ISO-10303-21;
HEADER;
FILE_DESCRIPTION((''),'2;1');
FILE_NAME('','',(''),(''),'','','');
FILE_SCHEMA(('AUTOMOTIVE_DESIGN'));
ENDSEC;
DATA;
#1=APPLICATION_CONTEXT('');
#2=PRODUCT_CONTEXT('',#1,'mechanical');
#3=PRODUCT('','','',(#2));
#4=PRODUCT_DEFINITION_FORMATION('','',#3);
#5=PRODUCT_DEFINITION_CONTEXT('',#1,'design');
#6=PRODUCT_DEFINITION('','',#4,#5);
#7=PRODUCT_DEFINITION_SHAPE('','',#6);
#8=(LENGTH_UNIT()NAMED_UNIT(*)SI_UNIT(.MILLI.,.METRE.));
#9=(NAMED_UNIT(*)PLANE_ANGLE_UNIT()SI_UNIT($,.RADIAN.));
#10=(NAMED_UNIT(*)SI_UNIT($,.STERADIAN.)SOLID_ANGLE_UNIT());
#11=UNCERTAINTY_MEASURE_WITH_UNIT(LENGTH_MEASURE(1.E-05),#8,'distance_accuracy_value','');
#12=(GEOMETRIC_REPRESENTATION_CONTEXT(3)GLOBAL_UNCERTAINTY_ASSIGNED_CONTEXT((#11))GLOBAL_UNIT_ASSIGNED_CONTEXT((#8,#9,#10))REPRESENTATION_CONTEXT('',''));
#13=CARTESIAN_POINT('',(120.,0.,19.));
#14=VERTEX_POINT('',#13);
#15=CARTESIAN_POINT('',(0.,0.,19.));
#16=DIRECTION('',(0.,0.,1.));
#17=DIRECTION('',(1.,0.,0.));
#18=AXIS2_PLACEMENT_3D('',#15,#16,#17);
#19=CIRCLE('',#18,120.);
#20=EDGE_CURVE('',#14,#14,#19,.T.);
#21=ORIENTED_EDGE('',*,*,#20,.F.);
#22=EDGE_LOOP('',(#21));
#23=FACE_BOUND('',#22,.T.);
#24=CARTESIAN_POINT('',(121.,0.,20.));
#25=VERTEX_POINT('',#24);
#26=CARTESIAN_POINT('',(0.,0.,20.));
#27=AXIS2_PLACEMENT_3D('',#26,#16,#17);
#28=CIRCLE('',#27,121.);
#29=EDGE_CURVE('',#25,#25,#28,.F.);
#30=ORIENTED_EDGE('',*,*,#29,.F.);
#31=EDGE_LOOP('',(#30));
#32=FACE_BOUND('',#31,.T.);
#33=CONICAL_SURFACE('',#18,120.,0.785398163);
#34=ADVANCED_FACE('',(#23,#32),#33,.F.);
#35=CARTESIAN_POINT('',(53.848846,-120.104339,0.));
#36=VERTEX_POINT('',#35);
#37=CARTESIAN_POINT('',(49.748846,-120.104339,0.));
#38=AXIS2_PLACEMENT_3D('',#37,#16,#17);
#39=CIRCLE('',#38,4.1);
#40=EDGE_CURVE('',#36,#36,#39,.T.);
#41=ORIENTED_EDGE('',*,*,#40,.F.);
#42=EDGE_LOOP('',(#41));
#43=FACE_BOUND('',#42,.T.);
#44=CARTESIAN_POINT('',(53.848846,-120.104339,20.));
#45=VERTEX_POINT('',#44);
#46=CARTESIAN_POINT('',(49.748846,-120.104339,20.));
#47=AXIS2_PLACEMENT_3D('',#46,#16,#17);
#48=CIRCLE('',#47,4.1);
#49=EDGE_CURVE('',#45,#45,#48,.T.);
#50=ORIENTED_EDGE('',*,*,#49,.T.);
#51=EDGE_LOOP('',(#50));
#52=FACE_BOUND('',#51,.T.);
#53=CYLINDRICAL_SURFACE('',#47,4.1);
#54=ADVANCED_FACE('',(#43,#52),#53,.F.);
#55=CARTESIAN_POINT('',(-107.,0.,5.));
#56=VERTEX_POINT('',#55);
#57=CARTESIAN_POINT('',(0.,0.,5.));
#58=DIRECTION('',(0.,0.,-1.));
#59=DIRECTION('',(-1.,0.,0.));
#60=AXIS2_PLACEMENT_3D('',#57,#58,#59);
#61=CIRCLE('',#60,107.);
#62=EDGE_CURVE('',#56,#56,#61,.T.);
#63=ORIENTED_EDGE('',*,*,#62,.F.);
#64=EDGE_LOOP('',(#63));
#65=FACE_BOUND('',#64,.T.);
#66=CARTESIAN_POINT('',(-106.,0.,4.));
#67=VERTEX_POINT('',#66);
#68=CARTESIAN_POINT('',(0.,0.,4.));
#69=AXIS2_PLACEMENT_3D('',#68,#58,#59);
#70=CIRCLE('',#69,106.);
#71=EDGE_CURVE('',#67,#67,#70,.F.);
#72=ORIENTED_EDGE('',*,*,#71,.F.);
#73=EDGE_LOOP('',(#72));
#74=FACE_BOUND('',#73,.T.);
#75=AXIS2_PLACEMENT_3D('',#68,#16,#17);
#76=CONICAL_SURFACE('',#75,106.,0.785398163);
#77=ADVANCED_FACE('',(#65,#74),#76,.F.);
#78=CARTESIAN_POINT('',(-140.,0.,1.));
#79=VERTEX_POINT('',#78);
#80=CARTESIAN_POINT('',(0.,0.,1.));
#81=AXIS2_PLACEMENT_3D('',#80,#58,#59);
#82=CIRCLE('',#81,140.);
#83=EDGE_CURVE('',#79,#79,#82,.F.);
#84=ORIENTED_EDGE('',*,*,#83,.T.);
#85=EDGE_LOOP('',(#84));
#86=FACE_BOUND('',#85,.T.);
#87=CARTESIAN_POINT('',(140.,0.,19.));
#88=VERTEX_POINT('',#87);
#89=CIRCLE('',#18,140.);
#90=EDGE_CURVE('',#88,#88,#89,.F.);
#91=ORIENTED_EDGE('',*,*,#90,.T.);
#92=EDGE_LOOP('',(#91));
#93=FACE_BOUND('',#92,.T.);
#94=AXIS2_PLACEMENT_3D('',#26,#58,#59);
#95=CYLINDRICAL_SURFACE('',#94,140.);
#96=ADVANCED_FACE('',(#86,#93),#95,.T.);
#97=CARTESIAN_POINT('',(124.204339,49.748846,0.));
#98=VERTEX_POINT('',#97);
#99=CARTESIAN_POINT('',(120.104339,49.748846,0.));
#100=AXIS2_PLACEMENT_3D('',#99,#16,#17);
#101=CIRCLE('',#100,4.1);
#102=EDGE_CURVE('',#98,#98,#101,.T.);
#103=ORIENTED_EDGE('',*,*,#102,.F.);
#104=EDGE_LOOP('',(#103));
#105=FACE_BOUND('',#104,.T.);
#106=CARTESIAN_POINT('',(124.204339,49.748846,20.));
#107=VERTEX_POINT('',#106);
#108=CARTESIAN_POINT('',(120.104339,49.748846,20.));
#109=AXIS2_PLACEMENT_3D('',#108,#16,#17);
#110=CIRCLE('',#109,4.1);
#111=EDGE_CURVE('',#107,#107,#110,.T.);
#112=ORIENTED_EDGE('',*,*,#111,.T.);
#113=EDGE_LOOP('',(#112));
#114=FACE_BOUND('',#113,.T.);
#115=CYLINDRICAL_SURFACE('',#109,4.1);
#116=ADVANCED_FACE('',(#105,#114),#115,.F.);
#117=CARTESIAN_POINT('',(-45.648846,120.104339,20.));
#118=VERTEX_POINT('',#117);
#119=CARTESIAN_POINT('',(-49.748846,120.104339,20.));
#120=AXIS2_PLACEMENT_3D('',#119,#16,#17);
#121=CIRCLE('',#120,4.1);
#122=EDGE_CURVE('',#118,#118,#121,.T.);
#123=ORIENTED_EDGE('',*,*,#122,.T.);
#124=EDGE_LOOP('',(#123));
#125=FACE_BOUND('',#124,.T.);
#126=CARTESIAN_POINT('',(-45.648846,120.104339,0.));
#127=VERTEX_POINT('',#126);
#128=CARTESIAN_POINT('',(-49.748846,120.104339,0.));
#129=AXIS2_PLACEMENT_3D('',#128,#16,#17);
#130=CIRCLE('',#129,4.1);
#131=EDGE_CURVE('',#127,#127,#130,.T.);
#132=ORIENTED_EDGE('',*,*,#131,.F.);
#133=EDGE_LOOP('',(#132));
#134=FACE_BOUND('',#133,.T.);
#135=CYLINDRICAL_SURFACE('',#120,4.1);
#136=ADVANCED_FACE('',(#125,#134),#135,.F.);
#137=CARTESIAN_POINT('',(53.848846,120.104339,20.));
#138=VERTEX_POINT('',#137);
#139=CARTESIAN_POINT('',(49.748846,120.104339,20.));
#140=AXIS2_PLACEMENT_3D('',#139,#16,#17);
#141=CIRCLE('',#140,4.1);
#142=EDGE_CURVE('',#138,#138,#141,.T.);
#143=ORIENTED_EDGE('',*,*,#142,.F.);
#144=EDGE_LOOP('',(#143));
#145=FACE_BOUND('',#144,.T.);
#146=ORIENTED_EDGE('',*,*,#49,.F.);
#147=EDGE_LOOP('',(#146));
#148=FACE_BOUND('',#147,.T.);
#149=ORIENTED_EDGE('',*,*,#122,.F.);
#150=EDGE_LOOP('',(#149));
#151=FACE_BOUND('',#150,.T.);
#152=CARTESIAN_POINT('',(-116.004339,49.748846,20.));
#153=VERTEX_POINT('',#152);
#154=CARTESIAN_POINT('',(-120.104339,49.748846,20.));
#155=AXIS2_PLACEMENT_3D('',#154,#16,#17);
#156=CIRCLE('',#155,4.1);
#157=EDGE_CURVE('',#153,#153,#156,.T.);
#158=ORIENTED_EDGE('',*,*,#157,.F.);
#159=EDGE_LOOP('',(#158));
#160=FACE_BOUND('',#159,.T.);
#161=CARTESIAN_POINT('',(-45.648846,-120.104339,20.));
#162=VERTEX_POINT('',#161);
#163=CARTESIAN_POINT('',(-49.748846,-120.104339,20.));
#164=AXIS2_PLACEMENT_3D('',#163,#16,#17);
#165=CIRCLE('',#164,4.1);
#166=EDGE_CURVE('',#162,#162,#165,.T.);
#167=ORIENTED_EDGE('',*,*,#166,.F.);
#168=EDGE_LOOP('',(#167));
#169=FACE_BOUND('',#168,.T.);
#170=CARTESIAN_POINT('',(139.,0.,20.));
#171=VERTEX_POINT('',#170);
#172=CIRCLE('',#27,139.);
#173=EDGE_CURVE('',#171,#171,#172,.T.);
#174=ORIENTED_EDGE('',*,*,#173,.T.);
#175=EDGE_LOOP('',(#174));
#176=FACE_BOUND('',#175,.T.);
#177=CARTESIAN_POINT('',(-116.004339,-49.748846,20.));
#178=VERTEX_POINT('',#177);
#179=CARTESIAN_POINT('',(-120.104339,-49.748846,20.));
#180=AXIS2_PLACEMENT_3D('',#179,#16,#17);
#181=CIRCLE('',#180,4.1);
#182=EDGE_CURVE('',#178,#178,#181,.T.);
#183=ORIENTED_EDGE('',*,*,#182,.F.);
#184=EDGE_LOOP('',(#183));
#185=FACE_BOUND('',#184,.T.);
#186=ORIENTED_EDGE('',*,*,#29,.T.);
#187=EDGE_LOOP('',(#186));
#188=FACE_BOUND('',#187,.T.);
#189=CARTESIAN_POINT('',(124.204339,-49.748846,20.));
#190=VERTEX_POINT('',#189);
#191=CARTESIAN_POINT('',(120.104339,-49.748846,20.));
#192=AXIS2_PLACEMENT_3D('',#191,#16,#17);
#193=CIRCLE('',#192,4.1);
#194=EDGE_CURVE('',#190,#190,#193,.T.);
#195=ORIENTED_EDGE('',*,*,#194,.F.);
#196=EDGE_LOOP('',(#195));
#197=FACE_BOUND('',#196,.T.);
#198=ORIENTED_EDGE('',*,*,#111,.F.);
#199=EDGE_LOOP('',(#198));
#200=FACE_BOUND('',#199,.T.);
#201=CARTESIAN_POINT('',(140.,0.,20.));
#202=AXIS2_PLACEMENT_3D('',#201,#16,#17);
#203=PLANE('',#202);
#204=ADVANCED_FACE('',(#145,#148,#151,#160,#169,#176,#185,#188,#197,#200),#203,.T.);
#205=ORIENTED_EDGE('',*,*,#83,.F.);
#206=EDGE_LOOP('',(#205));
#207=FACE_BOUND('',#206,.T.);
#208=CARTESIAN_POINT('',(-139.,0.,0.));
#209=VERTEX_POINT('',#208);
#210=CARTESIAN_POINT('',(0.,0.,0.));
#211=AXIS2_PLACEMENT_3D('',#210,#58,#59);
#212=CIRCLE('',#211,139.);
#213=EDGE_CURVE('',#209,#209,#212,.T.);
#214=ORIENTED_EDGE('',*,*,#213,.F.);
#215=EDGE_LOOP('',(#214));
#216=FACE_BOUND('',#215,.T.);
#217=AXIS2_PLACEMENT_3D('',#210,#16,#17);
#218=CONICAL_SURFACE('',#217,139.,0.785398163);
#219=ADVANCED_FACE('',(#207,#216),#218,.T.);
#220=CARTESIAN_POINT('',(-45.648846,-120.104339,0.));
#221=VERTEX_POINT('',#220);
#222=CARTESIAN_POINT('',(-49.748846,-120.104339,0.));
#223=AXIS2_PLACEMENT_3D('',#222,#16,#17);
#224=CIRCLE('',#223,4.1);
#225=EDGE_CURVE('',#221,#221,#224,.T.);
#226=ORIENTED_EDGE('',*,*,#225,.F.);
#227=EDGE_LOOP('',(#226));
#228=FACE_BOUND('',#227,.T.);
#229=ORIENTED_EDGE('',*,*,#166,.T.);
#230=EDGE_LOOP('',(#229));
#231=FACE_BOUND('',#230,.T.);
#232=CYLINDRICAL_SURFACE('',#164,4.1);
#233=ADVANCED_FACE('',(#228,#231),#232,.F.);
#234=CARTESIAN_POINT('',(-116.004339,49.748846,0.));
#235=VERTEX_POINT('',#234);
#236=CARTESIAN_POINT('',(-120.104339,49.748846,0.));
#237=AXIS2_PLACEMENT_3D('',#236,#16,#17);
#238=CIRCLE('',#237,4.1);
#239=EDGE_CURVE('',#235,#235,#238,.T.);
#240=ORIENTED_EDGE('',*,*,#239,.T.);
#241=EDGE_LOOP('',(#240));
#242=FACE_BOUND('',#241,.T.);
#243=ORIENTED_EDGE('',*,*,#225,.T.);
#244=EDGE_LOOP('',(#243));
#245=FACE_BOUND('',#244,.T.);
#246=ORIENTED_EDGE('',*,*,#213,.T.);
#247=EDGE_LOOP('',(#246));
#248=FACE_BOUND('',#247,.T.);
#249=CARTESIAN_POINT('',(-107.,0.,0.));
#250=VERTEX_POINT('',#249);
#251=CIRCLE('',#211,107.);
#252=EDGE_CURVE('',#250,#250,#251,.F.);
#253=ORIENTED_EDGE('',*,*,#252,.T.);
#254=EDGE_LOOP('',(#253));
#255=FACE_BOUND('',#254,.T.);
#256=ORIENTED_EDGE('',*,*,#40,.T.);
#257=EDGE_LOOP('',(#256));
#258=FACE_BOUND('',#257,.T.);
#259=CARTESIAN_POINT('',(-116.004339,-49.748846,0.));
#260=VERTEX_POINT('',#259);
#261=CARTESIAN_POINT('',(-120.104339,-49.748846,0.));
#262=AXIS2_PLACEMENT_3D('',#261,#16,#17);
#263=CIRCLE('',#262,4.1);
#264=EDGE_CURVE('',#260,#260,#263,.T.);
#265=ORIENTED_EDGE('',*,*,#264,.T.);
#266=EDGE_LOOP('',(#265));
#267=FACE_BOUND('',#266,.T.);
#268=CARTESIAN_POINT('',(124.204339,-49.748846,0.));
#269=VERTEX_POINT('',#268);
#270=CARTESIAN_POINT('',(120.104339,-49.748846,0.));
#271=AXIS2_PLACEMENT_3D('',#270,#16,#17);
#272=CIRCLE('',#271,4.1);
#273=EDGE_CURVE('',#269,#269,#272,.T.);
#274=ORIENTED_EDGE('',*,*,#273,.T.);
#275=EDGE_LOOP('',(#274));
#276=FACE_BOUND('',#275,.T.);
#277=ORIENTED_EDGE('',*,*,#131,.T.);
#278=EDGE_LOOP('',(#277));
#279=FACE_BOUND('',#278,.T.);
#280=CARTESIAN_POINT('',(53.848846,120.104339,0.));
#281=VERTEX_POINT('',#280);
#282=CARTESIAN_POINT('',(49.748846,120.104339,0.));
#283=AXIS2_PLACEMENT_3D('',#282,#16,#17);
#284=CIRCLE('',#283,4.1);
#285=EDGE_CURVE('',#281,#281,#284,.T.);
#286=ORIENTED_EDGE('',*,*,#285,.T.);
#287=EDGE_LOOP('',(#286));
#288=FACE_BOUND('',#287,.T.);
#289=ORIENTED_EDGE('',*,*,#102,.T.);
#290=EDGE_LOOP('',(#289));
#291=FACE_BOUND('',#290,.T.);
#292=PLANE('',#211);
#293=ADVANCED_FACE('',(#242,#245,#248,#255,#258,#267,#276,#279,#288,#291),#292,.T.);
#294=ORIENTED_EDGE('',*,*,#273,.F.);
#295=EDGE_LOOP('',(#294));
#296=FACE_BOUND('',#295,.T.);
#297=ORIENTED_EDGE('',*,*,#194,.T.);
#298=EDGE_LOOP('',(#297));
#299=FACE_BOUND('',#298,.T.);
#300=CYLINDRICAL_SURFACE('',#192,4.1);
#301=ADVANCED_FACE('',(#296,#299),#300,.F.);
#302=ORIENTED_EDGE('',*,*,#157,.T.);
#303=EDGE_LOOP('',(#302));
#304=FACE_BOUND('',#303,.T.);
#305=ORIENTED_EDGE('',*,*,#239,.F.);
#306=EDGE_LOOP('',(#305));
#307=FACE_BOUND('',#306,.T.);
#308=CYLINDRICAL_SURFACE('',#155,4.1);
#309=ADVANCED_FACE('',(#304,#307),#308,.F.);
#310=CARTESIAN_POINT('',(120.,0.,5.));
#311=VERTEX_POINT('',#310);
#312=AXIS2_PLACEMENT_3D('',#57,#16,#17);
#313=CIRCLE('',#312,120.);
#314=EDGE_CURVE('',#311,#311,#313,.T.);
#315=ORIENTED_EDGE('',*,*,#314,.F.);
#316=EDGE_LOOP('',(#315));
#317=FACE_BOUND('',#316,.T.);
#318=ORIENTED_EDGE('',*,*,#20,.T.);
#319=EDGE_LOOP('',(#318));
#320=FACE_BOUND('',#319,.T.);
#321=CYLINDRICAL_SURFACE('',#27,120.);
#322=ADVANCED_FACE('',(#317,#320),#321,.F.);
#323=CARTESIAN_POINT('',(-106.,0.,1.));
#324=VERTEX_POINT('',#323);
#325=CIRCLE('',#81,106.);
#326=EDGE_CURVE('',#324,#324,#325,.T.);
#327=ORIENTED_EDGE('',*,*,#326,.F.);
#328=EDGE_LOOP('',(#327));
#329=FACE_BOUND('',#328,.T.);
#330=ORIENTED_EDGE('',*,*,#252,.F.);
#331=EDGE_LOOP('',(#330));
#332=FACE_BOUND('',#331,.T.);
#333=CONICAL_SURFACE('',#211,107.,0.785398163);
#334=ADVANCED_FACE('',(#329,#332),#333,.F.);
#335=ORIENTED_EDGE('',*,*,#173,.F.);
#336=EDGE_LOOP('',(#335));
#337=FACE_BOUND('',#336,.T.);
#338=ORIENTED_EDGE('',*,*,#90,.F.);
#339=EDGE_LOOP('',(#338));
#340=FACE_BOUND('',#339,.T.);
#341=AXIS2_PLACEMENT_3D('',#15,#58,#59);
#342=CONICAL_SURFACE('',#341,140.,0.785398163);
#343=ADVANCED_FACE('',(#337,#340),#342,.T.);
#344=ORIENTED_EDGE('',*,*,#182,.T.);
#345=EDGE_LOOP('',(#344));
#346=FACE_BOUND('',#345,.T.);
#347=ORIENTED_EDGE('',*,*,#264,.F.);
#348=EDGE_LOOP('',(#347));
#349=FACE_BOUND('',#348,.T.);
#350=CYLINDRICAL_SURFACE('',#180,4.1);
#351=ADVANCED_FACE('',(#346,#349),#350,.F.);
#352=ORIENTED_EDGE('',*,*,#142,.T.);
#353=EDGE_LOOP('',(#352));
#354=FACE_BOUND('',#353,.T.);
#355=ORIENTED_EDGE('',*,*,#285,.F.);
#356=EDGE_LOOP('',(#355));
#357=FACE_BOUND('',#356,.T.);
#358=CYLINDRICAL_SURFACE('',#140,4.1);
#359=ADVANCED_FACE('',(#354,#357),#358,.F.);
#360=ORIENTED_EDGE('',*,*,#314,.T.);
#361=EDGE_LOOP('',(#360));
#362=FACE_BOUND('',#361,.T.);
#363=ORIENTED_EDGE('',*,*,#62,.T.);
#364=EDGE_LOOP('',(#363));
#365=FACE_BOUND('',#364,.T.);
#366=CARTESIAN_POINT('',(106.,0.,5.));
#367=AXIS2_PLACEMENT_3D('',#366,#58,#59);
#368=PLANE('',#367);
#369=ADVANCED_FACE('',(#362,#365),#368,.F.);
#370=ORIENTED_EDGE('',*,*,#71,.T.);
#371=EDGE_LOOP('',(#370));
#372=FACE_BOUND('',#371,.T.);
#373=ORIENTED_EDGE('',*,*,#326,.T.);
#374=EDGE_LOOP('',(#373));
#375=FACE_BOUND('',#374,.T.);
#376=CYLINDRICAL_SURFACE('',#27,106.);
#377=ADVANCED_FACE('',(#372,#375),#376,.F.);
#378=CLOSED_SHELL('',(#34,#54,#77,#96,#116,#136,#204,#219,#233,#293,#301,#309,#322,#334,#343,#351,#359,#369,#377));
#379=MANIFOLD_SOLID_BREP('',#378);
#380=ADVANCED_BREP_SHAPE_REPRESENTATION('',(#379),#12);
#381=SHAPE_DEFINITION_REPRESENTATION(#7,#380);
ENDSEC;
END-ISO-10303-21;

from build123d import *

# Parameters (mm, degrees)
SKETCH1_W                  = 140
SKETCH1_H                  = 20
F_8_2_8_2_DIAMETER_HOLE1_D = 8.2
HOLE1_D                    = 212
HOLE1_CBORE_D              = 240
HOLE1_CBORE_DEPTH          = 15
CHAMFER1_SIZE              = 1


with BuildPart() as part:
    # Sketch1 → Revolve1 (revolve)
    with BuildSketch(Plane.XZ, mode=Mode.PRIVATE) as revolve1_sk:
        with Locations((70, 10)):
            Rectangle(SKETCH1_W, SKETCH1_H)
    revolve(revolve1_sk.sketch.rotate(Axis((0, 0, 20), (0, 0, -1)), 180), axis=Axis((0, 0, 20), (0, 0, -1)))

    # Ø8.2 (8.2) Diameter Hole1 (through all)
    with Locations(Plane.XY.offset(20)):
        with Locations((49.748846207, 120.104339226), (120.104339226, 49.748846207), (120.104339226, -49.748846207), (49.748846207, -120.104339226), (-49.748846207, -120.104339226), (-120.104339226, -49.748846207), (-120.104339226, 49.748846207), (-49.748846207, 120.104339226)):
            Hole(F_8_2_8_2_DIAMETER_HOLE1_D / 2)

    # Hole1 (through all)
    with Locations(Plane.XY.offset(20)):
        with Locations((0, 0)):
            CounterBoreHole(HOLE1_D / 2, HOLE1_CBORE_D / 2, HOLE1_CBORE_DEPTH)

    # Chamfer1
    chamfer1_edges = [part.edges().sort_by_distance(p)[0] for p in [
        (140, 0, 0),
        (140, 0, 20),
        (-120, 0, 20),
        (106, 0, 0),
        (106, 0, 5),
    ]]
    chamfer(chamfer1_edges, length=CHAMFER1_SIZE)


solid = part.part
